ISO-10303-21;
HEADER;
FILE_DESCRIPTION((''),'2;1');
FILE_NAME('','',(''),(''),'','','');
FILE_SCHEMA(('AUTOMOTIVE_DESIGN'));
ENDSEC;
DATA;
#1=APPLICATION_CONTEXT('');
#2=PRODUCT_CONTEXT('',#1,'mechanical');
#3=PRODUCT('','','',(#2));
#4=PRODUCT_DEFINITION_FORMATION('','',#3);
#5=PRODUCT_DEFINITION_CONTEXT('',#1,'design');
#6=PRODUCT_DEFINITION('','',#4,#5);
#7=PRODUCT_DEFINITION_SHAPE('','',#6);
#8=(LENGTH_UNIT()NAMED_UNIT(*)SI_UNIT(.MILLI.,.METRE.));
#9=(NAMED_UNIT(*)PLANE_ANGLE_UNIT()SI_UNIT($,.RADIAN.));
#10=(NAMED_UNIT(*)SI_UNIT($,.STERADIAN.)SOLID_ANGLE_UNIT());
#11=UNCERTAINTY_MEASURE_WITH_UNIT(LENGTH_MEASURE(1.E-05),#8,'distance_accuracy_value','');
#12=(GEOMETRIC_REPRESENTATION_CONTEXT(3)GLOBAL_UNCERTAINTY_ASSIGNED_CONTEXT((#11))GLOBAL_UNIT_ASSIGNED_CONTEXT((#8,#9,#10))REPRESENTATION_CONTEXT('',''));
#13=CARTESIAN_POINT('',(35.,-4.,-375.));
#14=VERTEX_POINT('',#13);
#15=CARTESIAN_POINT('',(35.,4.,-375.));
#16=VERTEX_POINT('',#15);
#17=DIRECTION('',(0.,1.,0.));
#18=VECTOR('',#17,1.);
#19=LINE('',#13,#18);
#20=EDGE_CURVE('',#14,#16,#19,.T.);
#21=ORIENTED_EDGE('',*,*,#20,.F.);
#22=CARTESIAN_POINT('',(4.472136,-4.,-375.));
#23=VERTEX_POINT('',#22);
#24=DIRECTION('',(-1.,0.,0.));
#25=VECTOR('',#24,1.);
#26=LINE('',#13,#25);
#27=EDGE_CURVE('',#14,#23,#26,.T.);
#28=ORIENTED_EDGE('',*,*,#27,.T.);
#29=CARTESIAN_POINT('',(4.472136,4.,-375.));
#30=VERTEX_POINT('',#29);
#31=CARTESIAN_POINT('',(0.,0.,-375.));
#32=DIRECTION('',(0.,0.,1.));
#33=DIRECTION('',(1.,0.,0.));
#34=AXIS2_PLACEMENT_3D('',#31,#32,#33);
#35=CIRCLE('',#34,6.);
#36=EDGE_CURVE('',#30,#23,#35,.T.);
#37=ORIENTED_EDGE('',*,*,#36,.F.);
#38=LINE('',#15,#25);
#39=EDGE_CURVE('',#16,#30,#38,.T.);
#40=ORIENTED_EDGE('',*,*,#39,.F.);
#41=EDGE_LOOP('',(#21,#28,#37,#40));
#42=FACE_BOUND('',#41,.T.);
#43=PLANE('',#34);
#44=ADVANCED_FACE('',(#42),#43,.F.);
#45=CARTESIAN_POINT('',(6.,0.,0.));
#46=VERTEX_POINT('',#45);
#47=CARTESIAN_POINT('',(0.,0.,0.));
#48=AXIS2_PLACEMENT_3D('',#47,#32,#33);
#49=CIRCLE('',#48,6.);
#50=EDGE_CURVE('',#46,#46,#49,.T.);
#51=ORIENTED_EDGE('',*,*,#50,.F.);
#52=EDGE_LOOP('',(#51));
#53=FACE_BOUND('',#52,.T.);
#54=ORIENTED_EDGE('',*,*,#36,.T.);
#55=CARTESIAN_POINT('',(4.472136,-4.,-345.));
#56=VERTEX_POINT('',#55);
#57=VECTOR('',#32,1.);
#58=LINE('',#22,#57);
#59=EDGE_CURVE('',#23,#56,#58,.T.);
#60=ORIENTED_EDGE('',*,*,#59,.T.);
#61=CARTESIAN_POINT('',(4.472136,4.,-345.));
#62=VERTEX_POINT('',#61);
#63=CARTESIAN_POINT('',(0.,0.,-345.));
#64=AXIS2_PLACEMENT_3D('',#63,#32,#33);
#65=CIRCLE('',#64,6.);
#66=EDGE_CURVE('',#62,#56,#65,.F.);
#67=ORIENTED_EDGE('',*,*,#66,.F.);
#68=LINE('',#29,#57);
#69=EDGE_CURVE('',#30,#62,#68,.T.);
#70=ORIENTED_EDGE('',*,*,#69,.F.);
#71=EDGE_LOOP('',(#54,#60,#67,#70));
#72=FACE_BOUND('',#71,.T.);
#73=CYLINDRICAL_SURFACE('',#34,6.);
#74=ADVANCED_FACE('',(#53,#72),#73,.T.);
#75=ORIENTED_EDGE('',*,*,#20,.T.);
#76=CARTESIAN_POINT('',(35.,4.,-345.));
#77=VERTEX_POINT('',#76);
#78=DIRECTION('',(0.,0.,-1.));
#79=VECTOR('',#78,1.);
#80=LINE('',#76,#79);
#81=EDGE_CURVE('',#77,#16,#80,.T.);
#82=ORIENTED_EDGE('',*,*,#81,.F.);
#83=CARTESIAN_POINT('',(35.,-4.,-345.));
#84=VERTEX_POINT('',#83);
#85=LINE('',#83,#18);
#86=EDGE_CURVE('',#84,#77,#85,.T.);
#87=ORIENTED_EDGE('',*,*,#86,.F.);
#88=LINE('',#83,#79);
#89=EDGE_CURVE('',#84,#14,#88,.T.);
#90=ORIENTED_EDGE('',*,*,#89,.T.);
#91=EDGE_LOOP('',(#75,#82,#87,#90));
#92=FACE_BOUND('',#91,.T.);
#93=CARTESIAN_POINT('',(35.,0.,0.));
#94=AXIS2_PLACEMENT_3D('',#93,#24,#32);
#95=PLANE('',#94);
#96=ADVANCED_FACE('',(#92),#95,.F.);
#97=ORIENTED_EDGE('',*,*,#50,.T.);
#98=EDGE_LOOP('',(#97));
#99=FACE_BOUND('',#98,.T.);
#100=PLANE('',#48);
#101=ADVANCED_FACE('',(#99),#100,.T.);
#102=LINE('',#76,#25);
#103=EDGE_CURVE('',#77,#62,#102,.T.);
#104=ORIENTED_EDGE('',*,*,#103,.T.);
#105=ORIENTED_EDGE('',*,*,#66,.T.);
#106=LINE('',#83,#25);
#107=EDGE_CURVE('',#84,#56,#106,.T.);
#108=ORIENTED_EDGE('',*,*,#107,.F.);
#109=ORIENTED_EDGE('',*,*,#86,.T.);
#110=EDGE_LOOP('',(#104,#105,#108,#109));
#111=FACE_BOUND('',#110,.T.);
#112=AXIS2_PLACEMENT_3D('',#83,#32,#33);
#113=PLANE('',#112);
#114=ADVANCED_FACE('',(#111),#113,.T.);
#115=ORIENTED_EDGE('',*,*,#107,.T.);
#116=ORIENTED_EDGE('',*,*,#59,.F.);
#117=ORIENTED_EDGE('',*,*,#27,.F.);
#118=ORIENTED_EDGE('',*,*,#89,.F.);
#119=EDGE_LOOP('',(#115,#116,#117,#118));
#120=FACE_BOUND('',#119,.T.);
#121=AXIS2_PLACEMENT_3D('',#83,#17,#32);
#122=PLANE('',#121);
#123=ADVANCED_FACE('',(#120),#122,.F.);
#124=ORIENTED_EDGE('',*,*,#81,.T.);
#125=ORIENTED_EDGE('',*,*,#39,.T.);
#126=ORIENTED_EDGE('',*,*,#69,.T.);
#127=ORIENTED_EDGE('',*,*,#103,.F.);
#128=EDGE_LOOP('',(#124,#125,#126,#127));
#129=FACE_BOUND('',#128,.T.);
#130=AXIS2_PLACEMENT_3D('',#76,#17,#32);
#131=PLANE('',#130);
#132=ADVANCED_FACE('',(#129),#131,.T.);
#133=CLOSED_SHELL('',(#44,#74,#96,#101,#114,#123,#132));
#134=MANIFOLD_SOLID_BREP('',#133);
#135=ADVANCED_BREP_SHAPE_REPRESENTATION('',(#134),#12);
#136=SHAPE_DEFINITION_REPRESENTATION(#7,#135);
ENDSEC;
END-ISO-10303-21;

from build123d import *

# Parameters (mm, degrees)
SKETCH1_R           = 6
BOSS_EXTRUDE1_DEPTH = 375
SKETCH2_W           = 30
SKETCH2_H           = 8
BOSS_EXTRUDE2_DEPTH = 35


with BuildPart() as part:
    # Sketch1 → Boss-Extrude1 (new body)
    with BuildSketch(Plane.XY):
        Circle(SKETCH1_R)
    extrude(amount=-BOSS_EXTRUDE1_DEPTH)

    # Sketch2 → Boss-Extrude2 (add)
    with BuildSketch(Plane(origin=(0, 0, 0), x_dir=(0, 0, -1), z_dir=(1, 0, 0))):
        with Locations((360, 0)):
            Rectangle(SKETCH2_W, SKETCH2_H)
    extrude(amount=BOSS_EXTRUDE2_DEPTH)


solid = part.part
